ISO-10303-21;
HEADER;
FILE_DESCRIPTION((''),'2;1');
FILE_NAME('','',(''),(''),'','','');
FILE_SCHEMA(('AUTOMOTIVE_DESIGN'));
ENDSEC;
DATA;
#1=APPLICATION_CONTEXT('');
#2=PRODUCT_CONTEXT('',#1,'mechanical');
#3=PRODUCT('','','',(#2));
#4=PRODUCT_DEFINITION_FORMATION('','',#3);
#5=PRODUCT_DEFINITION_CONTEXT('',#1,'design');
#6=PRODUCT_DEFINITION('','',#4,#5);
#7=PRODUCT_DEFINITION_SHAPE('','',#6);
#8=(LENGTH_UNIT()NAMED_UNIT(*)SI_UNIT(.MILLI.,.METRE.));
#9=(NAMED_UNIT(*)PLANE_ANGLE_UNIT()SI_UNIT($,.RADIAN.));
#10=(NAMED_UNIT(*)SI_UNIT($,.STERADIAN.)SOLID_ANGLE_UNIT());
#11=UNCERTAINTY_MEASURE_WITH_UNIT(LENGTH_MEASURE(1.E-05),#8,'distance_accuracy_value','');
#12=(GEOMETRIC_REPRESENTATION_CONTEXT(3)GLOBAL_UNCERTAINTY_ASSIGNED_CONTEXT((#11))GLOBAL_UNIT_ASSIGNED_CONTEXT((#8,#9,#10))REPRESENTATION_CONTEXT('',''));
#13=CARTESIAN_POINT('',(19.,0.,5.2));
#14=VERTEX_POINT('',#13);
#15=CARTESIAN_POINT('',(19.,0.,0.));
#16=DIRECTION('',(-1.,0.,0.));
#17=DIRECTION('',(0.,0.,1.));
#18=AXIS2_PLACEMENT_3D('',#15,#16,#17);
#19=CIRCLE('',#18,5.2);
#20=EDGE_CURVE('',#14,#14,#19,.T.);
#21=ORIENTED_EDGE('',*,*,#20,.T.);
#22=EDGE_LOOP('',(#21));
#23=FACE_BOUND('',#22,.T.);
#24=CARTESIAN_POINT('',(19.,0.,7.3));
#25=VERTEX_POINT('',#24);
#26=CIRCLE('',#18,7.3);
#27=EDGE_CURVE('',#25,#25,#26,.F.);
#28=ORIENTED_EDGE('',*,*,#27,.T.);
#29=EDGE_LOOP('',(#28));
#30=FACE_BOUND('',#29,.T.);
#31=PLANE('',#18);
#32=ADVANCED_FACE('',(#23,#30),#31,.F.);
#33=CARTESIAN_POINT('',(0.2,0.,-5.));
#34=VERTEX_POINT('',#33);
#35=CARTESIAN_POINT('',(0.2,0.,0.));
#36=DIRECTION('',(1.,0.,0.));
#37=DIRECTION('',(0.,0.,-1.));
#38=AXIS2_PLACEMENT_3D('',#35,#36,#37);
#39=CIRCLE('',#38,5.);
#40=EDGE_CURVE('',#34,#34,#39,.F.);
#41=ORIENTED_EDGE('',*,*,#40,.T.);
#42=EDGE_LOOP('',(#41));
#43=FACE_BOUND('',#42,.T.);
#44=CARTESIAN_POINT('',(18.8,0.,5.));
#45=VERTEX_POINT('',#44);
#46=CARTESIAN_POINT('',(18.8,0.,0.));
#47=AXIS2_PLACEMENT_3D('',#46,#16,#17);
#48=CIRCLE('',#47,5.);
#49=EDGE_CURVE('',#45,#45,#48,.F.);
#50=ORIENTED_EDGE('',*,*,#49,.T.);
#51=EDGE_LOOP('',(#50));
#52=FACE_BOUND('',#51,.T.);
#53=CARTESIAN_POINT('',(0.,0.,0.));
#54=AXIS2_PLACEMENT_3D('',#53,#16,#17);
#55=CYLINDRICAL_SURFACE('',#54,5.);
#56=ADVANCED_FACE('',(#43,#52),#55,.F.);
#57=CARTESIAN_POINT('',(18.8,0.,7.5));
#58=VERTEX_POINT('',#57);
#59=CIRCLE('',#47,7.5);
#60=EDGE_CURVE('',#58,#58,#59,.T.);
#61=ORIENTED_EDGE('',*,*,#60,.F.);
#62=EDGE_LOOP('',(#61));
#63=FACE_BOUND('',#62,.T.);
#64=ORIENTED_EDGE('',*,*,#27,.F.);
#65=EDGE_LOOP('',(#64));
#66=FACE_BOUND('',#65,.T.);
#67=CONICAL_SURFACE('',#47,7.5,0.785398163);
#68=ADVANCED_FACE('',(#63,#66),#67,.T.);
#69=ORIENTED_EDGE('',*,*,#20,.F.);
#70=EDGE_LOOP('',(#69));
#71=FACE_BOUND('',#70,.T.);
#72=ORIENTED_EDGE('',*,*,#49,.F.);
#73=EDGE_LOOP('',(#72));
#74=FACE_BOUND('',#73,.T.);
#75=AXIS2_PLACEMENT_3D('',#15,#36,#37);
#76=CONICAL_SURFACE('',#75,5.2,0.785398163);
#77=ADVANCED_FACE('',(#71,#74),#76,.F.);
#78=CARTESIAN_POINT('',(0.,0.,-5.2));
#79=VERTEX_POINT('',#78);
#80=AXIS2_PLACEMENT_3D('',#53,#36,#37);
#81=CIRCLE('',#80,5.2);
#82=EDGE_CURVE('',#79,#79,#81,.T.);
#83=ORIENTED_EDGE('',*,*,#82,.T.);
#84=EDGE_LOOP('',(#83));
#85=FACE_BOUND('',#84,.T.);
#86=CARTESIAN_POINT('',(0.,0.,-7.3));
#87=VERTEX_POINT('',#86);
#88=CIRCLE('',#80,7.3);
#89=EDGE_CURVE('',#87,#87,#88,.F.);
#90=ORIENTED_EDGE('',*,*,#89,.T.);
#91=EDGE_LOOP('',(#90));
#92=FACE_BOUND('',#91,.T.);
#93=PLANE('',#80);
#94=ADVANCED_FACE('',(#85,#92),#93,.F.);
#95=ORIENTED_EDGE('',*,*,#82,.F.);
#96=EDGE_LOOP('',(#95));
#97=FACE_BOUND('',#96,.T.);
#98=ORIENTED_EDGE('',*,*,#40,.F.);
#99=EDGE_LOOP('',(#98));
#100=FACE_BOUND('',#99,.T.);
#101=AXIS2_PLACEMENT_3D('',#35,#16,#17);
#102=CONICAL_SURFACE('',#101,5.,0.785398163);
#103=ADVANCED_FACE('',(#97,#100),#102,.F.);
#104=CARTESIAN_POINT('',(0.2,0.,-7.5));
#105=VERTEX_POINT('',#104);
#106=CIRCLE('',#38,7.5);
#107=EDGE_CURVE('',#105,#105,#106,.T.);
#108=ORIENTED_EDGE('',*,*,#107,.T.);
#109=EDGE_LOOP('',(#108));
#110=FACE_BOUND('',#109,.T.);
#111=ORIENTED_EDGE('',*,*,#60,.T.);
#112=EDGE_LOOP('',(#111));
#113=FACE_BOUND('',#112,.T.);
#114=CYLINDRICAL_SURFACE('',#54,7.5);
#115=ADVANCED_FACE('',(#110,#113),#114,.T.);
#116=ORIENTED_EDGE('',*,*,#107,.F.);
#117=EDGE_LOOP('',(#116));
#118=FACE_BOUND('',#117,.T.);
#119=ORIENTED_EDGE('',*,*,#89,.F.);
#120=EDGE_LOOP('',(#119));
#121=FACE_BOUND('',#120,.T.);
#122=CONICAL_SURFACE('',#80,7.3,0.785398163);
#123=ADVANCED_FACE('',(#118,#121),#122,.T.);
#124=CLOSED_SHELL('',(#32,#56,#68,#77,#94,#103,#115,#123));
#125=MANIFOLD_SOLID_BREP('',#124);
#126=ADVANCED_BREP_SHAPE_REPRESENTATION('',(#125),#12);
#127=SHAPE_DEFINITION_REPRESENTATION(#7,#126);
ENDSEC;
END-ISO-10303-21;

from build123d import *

# Parameters (mm, degrees)
SKIZZE2_W  = 19
SKIZZE2_H  = 2.5
FASE1_SIZE = 0.2


with BuildPart() as part:
    # Skizze2 → Rotation1 (revolve)
    with BuildSketch(Plane(origin=(0, 0, 0), x_dir=(1, 0, 0), z_dir=(0, 1, 0)), mode=Mode.PRIVATE) as rotation1_sk:
        with Locations((9.5, 6.25)):
            Rectangle(SKIZZE2_W, SKIZZE2_H)
        with Locations((9.5, -6.25)):
            Rectangle(SKIZZE2_W, SKIZZE2_H)
    revolve(rotation1_sk.sketch.rotate(Axis((0, 0, 0), (1, 0, 0)), 180), axis=Axis((0, 0, 0), (1, 0, 0)))

    # Fase1
    fase1_edges = [part.edges().sort_by_distance(p)[0] for p in [
        (0, 0, -5),
        (19, 0, -5),
        (19, 0, -7.5),
        (0, 0, -7.5),
    ]]
    chamfer(fase1_edges, length=FASE1_SIZE)


solid = part.part
